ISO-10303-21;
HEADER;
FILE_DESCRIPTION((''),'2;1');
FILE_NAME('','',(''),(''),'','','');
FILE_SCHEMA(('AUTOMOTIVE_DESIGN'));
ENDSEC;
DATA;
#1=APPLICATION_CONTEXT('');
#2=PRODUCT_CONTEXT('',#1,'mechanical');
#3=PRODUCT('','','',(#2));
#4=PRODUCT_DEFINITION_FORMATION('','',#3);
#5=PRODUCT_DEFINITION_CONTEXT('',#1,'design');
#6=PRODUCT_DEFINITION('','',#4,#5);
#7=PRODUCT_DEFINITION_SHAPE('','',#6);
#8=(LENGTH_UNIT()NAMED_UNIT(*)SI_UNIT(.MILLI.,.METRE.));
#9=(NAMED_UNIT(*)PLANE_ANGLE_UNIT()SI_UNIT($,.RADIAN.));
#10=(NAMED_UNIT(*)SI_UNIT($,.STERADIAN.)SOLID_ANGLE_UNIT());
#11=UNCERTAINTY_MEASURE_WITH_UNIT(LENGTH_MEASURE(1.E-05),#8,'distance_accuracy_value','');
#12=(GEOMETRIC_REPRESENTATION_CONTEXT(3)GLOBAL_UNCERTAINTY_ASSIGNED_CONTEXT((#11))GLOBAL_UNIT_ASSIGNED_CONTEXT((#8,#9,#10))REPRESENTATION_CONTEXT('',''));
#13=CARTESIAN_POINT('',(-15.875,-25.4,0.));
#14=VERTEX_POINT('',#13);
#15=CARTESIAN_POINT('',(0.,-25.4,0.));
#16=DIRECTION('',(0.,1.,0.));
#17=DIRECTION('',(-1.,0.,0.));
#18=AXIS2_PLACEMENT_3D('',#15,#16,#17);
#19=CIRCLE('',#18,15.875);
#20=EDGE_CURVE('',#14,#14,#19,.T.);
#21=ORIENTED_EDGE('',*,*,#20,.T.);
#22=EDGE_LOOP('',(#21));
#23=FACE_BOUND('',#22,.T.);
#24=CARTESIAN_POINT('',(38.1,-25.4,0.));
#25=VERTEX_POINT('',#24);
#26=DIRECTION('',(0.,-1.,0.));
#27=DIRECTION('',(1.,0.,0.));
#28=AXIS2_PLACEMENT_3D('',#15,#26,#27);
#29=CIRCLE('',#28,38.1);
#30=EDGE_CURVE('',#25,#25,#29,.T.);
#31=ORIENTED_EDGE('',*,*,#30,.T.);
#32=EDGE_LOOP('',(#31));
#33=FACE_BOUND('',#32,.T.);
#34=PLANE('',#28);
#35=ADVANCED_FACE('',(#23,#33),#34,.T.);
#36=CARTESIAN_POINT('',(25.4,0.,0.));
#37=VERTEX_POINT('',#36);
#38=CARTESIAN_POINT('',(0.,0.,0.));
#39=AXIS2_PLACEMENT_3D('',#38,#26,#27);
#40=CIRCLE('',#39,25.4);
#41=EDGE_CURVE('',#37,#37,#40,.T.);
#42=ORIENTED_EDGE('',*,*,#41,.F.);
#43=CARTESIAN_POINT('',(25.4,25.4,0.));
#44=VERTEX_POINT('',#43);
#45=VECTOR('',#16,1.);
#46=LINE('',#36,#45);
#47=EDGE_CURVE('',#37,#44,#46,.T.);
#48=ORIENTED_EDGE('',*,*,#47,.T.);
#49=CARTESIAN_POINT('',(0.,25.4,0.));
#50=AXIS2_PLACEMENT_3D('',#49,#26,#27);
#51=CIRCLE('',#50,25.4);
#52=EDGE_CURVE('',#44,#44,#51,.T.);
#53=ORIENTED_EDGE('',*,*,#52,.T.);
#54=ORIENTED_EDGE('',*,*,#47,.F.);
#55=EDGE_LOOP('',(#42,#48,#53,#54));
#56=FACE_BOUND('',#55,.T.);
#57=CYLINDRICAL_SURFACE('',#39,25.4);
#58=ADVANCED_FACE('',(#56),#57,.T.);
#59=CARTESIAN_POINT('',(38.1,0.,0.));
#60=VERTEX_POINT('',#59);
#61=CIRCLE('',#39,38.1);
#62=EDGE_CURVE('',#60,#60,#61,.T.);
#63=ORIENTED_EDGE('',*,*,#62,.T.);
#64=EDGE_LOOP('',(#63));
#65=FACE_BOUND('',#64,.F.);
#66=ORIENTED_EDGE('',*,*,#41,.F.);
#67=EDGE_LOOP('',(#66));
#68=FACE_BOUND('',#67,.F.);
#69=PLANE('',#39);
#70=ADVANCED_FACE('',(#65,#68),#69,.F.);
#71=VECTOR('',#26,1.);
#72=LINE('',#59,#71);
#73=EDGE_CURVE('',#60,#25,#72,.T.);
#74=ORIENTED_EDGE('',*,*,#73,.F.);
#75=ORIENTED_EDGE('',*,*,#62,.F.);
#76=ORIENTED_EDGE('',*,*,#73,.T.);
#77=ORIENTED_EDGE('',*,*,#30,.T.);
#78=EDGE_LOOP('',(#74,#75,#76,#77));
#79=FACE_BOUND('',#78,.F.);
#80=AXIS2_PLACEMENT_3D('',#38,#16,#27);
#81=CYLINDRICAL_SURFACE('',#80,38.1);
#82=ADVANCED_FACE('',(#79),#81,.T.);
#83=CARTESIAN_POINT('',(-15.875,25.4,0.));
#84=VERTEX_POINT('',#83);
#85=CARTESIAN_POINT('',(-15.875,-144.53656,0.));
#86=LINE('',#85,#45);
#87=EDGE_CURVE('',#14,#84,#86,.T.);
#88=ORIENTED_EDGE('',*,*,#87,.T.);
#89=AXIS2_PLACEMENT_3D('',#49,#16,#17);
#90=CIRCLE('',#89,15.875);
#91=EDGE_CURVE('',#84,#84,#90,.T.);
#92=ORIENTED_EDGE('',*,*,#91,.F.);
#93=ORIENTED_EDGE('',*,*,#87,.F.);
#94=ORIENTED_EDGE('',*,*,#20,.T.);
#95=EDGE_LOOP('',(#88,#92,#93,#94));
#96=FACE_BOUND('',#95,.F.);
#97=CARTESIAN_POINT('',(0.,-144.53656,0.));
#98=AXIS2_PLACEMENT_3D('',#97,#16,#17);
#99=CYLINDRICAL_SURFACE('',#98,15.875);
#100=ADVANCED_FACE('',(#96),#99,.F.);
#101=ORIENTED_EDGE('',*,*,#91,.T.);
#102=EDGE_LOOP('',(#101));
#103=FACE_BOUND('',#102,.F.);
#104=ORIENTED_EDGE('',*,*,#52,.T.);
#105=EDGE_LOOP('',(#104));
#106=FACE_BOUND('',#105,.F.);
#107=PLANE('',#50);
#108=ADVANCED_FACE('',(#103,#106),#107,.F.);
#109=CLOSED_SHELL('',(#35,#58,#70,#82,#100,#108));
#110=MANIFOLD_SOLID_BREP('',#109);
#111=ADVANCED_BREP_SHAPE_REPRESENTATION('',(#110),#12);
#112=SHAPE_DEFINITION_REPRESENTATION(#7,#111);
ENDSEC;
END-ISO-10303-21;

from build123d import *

# Parameters (mm, degrees)
F0_R     = 38.1
F3_DEPTH = 25.4
F5_R     = 25.4
F6_DEPTH = 25.4
F8_D     = 31.75


with BuildPart() as f3:
    # F0 (on Front) → F3 (new body)
    with BuildSketch(Plane.XZ):
        Circle(F0_R)
    extrude(amount=F3_DEPTH)

    # F5 (on Front) → F6 (join)
    with BuildSketch(Plane.XZ):
        Circle(F5_R)
    extrude(amount=-F6_DEPTH)

    # F8 (through all)
    with Locations(Plane.XZ.offset(25.4)):
        with Locations((0, 0), (0, 0), (0, 0), (0, 0)):
            Hole(F8_D / 2)


solid = f3.part
